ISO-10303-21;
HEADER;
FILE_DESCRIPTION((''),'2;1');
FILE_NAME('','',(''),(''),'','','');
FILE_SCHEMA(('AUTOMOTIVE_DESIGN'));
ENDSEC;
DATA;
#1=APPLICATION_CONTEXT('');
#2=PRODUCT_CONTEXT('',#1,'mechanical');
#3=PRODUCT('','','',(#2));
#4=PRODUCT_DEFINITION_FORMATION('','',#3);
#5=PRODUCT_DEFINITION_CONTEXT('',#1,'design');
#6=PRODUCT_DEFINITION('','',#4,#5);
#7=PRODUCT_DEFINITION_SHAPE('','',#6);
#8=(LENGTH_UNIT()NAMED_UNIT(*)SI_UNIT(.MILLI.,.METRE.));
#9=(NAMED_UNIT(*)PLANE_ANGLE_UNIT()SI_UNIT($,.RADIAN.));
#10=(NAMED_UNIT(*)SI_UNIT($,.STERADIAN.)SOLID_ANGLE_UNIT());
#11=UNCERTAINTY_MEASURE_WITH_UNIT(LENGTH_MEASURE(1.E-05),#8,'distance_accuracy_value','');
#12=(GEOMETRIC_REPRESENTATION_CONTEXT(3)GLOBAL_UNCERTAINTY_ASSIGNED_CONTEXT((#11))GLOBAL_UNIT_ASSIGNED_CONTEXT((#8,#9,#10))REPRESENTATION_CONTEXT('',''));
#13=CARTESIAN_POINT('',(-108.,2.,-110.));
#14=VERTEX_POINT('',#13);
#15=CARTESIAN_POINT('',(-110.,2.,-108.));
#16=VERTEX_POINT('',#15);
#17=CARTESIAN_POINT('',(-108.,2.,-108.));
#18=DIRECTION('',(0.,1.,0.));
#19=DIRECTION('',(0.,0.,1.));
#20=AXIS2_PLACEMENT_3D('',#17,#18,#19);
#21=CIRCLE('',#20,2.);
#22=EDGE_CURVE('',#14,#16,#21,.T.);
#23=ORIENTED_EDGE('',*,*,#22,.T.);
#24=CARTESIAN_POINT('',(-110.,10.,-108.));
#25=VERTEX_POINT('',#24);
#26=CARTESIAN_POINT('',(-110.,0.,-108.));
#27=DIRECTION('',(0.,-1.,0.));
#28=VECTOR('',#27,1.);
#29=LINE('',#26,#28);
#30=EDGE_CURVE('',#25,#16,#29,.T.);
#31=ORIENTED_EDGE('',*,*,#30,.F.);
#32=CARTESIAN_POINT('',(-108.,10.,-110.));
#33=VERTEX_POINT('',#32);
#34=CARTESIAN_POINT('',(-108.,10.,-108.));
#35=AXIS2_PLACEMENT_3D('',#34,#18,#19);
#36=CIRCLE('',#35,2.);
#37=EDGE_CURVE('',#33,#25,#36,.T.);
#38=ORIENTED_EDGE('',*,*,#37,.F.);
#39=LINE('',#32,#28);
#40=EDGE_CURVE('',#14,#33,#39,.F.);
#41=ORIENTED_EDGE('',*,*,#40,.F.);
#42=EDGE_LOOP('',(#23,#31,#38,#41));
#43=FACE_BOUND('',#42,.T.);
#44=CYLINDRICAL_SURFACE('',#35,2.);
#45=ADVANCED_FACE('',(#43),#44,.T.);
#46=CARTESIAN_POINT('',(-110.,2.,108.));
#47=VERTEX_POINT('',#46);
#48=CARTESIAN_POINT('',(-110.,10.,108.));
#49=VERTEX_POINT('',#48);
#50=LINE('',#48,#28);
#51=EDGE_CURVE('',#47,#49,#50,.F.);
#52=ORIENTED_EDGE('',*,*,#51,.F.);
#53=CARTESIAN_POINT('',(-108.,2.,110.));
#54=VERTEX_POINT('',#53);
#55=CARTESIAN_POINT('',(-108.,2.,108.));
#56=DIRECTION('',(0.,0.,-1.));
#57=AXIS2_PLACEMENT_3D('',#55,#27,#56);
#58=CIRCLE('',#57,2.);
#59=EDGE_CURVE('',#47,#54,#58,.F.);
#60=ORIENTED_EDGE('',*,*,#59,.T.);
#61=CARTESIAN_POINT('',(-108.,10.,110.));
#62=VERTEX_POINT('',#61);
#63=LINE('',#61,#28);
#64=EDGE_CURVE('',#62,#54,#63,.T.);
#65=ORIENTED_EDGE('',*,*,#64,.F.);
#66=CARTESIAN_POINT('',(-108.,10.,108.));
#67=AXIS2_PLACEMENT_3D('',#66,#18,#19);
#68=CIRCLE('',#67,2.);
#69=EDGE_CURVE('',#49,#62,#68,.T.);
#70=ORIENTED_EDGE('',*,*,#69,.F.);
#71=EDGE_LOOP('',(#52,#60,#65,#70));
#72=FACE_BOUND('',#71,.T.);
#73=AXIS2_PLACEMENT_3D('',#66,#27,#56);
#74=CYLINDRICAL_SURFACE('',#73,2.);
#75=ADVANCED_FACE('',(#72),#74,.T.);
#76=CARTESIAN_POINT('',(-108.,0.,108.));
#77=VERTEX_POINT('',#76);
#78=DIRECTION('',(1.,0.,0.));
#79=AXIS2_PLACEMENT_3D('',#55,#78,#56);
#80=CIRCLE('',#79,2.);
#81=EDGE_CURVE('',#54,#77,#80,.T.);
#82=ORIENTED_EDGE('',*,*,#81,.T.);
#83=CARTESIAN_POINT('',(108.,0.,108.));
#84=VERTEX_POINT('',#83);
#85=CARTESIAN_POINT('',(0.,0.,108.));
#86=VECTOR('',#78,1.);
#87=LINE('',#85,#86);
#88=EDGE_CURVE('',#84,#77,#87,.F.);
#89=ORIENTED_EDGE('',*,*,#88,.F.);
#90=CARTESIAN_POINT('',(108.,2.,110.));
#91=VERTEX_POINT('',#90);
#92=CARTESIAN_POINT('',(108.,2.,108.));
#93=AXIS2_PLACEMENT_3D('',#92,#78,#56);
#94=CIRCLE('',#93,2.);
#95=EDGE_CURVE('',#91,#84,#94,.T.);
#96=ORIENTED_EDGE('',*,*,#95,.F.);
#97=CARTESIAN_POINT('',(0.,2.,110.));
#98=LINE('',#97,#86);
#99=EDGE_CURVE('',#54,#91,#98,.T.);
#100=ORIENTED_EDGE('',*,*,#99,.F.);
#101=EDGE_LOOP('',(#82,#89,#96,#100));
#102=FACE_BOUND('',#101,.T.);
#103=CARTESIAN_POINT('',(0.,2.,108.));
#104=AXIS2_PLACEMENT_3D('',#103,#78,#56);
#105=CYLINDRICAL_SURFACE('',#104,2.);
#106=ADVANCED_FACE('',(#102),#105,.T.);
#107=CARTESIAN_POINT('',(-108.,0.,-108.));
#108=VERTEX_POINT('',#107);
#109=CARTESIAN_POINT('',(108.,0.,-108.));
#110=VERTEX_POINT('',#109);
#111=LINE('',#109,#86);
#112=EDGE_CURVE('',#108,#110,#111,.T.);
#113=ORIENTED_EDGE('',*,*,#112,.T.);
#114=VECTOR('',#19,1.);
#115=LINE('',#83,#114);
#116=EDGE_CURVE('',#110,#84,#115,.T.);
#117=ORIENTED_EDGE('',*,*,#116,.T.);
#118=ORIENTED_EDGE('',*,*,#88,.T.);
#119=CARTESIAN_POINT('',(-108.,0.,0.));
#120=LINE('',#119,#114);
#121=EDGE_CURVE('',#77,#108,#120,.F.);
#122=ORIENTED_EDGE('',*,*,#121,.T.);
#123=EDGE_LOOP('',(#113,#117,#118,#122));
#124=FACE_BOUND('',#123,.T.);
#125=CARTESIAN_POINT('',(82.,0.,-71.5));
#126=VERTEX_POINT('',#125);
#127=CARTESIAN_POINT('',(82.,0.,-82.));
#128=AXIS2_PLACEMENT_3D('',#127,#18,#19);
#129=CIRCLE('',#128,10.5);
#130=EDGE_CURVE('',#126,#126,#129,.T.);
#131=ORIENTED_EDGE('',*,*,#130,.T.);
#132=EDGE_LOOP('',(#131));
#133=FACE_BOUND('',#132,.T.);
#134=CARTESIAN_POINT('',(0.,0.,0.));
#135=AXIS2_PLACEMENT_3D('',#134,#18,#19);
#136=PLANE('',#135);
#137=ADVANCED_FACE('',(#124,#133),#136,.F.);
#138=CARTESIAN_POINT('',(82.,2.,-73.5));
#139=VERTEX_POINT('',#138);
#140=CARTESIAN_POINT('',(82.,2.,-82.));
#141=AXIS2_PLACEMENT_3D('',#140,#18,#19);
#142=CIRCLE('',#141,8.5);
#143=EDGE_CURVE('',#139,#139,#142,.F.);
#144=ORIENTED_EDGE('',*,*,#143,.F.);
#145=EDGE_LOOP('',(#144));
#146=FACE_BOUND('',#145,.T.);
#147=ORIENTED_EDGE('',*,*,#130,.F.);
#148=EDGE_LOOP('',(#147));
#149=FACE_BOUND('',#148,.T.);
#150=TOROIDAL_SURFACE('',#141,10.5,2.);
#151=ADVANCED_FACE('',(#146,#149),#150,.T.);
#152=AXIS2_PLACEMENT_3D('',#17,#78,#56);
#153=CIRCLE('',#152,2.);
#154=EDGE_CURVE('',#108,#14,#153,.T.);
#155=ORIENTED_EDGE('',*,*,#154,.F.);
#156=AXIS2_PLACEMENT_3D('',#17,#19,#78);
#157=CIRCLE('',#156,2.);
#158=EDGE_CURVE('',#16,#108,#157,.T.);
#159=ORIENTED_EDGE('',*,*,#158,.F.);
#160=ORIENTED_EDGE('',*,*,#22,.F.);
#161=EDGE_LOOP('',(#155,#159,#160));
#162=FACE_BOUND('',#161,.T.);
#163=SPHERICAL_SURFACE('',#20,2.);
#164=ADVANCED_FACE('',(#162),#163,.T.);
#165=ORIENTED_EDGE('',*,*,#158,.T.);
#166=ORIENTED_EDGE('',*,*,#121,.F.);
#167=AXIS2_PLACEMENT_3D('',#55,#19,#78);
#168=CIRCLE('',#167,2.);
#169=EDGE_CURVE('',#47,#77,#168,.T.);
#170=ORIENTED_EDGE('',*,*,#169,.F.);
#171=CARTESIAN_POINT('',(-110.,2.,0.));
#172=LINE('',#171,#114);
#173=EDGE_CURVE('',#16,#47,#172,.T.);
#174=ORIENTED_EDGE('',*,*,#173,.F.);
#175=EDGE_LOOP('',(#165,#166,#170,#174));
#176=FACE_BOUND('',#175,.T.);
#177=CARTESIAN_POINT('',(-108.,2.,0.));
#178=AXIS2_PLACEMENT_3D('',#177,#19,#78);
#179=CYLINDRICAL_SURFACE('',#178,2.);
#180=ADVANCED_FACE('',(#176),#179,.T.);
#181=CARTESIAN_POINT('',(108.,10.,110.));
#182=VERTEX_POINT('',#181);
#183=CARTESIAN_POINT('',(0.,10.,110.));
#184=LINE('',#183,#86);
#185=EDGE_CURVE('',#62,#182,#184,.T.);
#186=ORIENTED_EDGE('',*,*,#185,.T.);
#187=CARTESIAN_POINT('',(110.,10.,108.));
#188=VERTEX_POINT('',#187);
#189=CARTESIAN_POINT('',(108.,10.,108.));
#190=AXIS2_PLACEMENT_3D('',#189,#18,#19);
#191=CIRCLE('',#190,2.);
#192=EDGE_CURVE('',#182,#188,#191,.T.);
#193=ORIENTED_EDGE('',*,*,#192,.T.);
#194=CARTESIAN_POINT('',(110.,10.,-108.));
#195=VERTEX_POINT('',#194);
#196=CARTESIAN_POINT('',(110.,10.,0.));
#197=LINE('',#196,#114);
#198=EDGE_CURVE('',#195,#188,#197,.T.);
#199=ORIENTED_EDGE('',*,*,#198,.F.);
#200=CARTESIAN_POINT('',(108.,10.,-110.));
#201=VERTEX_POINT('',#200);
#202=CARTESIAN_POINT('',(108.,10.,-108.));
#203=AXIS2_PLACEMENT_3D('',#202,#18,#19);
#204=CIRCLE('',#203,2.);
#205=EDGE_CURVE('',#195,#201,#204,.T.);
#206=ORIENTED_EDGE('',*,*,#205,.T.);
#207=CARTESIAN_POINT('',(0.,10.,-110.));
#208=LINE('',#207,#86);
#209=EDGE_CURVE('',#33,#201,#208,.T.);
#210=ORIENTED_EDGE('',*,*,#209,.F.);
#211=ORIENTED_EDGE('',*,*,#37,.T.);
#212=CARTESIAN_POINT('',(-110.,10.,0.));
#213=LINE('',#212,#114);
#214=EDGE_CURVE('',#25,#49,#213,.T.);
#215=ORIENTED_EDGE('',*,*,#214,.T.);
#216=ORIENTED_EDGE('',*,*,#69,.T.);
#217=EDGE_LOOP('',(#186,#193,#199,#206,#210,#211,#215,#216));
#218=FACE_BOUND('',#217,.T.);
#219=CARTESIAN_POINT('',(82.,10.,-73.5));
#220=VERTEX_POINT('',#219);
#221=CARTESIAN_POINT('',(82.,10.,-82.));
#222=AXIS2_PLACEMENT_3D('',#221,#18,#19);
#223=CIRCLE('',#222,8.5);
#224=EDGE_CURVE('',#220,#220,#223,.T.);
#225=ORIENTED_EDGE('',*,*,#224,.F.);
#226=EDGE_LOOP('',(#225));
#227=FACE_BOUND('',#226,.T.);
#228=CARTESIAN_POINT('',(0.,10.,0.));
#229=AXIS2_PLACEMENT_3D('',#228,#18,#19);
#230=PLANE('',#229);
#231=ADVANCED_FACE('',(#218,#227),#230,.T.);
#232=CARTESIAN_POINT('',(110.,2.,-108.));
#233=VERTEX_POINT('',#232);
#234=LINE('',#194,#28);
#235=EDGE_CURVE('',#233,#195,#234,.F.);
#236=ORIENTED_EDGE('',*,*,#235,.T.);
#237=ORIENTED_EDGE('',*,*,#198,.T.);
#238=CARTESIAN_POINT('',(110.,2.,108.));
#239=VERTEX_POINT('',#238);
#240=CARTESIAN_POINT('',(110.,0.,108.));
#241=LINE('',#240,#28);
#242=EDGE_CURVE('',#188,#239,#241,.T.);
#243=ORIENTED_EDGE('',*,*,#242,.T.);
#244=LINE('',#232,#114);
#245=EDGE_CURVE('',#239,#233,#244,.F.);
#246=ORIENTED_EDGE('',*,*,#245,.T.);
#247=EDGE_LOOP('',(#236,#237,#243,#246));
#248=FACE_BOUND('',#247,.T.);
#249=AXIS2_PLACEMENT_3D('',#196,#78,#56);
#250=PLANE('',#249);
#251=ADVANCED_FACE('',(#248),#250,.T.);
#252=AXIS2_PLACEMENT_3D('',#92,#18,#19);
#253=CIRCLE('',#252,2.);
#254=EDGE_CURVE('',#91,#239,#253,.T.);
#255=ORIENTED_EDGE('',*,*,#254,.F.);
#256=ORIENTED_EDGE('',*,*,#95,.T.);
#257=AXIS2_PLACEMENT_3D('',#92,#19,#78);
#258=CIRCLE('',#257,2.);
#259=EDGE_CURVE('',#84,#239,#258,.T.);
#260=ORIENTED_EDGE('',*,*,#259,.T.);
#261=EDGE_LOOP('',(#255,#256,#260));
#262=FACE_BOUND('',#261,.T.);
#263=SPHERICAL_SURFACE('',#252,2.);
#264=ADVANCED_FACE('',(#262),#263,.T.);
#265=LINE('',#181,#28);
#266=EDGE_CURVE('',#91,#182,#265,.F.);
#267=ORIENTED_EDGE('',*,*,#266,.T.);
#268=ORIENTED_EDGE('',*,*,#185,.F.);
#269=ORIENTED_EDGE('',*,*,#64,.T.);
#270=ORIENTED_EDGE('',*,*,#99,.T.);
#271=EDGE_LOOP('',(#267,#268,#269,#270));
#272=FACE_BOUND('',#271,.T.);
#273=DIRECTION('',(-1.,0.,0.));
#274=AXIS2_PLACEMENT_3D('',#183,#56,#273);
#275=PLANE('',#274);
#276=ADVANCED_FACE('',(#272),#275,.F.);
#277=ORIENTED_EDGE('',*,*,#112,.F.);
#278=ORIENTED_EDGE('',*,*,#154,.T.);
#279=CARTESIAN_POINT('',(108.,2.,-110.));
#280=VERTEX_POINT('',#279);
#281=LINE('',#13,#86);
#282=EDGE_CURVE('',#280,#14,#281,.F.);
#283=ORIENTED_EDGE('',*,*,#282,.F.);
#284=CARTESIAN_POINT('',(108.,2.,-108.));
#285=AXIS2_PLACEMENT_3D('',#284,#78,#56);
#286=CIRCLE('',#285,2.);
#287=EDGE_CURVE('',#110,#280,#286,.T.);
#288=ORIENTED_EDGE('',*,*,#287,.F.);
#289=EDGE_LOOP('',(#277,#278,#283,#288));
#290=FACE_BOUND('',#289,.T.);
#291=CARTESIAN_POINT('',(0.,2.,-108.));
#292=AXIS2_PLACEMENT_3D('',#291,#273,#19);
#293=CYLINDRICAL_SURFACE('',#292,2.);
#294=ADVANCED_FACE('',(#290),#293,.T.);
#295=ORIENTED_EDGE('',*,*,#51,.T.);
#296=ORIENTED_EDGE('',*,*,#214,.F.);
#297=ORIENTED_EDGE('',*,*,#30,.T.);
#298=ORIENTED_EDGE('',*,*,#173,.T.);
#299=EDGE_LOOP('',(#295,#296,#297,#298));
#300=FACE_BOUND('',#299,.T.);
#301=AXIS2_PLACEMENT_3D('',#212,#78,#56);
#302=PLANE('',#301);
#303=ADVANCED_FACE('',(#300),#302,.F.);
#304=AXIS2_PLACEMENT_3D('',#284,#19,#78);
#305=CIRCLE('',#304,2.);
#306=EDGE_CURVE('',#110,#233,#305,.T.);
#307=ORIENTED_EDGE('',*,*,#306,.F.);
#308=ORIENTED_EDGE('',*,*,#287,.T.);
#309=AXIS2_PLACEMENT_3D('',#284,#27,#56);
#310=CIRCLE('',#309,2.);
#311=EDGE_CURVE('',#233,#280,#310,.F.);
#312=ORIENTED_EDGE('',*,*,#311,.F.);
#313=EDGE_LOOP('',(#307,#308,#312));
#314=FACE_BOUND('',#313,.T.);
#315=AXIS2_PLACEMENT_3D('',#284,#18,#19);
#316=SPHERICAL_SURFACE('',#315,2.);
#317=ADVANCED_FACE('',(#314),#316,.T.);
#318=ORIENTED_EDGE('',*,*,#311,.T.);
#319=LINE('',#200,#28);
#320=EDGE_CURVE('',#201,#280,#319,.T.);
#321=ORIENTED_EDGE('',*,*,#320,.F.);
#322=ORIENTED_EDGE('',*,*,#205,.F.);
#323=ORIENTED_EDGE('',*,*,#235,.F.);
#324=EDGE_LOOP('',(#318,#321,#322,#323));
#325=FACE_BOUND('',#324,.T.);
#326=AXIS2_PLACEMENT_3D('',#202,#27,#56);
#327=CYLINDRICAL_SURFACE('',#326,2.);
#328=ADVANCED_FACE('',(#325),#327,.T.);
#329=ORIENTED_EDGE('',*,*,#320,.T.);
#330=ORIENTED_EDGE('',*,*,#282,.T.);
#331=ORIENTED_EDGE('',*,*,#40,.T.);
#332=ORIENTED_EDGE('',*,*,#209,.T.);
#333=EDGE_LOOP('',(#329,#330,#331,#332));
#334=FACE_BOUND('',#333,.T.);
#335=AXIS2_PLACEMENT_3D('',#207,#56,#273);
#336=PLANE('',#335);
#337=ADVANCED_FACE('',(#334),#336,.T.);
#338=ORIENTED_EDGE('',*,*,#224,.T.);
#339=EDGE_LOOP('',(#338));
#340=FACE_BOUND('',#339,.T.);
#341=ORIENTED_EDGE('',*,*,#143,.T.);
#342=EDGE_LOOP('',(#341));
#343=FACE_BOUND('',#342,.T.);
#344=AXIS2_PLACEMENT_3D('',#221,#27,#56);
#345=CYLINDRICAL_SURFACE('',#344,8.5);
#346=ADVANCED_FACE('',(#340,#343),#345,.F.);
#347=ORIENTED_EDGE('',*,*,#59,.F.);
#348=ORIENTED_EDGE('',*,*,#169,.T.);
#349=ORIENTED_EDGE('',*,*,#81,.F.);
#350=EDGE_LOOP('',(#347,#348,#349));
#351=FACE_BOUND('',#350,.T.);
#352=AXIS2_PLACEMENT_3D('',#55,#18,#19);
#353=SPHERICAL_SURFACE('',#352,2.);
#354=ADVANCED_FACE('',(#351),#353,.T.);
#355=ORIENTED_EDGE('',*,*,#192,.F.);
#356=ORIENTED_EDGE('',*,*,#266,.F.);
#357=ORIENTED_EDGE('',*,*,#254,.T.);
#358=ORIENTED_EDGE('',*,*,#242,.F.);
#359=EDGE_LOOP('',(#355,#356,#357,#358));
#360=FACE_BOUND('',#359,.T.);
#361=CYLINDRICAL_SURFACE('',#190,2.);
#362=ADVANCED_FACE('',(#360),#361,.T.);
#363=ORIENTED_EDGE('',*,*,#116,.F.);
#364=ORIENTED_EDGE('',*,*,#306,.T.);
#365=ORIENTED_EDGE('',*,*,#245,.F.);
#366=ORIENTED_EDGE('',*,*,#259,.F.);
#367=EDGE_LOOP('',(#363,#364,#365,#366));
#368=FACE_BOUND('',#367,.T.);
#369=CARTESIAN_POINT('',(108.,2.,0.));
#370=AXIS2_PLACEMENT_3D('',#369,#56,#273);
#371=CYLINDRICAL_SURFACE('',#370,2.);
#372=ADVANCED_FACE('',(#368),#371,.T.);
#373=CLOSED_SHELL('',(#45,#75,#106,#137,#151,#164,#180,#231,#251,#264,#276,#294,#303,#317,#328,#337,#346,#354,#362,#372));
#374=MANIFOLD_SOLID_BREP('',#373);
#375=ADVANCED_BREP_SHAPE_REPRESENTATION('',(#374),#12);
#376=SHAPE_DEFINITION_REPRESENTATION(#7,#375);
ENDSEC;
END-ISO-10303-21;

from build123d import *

# Parameters (mm, degrees)
SKETCH1_W           = 220
SKETCH1_H           = 220
SKETCH1_W_2         = 194
SKETCH1_H_2         = 194
SKETCH1_R           = 8.5
BOSS_EXTRUDE1_DEPTH = 10
FILLET1_R           = 2
FILLET2_R           = 2


with BuildPart() as part:
    # Sketch1 → Boss-Extrude1 (new body)
    # profile 1 of 2: a face of its own
    with BuildSketch(Plane(origin=(0, 0, 0), x_dir=(1, 0, 0), z_dir=(0, 1, 0))):
        Rectangle(SKETCH1_W, SKETCH1_H)
        Rectangle(SKETCH1_W_2, SKETCH1_H_2, mode=Mode.SUBTRACT)
    # profile 2 of 2: a face of its own
    with BuildSketch(Plane(origin=(0, 0, 0), x_dir=(1, 0, 0), z_dir=(0, 1, 0))):
        Rectangle(SKETCH1_W_2, SKETCH1_H_2)
        with Locations(Location((82, 82, 0), (0, 0, 270))):
            Circle(SKETCH1_R, mode=Mode.SUBTRACT)
    extrude(amount=BOSS_EXTRUDE1_DEPTH)

    # Fillet1
    fillet1_edges = [part.edges().sort_by_distance(p)[0] for p in [
        (110, 5, 110),
        (-110, 5, 110),
        (-110, 5, -110),
        (110, 5, -110),
    ]]
    fillet(fillet1_edges, radius=FILLET1_R)

    # Fillet2
    fillet2_edges = [part.edges().sort_by_distance(p)[0] for p in [
        (0, 0, 110),
        (110, 0, 0),
        (-110, 0, 0),
        (0, 0, -110),
        (109.414213562, 0, 109.414213562),
        (109.414213562, 0, -109.414213562),
        (-109.414213562, 0, -109.414213562),
        (-109.414213562, 0, 109.414213562),
        (82, 0, -90.5),
    ]]
    fillet(fillet2_edges, radius=FILLET2_R)


solid = part.part
